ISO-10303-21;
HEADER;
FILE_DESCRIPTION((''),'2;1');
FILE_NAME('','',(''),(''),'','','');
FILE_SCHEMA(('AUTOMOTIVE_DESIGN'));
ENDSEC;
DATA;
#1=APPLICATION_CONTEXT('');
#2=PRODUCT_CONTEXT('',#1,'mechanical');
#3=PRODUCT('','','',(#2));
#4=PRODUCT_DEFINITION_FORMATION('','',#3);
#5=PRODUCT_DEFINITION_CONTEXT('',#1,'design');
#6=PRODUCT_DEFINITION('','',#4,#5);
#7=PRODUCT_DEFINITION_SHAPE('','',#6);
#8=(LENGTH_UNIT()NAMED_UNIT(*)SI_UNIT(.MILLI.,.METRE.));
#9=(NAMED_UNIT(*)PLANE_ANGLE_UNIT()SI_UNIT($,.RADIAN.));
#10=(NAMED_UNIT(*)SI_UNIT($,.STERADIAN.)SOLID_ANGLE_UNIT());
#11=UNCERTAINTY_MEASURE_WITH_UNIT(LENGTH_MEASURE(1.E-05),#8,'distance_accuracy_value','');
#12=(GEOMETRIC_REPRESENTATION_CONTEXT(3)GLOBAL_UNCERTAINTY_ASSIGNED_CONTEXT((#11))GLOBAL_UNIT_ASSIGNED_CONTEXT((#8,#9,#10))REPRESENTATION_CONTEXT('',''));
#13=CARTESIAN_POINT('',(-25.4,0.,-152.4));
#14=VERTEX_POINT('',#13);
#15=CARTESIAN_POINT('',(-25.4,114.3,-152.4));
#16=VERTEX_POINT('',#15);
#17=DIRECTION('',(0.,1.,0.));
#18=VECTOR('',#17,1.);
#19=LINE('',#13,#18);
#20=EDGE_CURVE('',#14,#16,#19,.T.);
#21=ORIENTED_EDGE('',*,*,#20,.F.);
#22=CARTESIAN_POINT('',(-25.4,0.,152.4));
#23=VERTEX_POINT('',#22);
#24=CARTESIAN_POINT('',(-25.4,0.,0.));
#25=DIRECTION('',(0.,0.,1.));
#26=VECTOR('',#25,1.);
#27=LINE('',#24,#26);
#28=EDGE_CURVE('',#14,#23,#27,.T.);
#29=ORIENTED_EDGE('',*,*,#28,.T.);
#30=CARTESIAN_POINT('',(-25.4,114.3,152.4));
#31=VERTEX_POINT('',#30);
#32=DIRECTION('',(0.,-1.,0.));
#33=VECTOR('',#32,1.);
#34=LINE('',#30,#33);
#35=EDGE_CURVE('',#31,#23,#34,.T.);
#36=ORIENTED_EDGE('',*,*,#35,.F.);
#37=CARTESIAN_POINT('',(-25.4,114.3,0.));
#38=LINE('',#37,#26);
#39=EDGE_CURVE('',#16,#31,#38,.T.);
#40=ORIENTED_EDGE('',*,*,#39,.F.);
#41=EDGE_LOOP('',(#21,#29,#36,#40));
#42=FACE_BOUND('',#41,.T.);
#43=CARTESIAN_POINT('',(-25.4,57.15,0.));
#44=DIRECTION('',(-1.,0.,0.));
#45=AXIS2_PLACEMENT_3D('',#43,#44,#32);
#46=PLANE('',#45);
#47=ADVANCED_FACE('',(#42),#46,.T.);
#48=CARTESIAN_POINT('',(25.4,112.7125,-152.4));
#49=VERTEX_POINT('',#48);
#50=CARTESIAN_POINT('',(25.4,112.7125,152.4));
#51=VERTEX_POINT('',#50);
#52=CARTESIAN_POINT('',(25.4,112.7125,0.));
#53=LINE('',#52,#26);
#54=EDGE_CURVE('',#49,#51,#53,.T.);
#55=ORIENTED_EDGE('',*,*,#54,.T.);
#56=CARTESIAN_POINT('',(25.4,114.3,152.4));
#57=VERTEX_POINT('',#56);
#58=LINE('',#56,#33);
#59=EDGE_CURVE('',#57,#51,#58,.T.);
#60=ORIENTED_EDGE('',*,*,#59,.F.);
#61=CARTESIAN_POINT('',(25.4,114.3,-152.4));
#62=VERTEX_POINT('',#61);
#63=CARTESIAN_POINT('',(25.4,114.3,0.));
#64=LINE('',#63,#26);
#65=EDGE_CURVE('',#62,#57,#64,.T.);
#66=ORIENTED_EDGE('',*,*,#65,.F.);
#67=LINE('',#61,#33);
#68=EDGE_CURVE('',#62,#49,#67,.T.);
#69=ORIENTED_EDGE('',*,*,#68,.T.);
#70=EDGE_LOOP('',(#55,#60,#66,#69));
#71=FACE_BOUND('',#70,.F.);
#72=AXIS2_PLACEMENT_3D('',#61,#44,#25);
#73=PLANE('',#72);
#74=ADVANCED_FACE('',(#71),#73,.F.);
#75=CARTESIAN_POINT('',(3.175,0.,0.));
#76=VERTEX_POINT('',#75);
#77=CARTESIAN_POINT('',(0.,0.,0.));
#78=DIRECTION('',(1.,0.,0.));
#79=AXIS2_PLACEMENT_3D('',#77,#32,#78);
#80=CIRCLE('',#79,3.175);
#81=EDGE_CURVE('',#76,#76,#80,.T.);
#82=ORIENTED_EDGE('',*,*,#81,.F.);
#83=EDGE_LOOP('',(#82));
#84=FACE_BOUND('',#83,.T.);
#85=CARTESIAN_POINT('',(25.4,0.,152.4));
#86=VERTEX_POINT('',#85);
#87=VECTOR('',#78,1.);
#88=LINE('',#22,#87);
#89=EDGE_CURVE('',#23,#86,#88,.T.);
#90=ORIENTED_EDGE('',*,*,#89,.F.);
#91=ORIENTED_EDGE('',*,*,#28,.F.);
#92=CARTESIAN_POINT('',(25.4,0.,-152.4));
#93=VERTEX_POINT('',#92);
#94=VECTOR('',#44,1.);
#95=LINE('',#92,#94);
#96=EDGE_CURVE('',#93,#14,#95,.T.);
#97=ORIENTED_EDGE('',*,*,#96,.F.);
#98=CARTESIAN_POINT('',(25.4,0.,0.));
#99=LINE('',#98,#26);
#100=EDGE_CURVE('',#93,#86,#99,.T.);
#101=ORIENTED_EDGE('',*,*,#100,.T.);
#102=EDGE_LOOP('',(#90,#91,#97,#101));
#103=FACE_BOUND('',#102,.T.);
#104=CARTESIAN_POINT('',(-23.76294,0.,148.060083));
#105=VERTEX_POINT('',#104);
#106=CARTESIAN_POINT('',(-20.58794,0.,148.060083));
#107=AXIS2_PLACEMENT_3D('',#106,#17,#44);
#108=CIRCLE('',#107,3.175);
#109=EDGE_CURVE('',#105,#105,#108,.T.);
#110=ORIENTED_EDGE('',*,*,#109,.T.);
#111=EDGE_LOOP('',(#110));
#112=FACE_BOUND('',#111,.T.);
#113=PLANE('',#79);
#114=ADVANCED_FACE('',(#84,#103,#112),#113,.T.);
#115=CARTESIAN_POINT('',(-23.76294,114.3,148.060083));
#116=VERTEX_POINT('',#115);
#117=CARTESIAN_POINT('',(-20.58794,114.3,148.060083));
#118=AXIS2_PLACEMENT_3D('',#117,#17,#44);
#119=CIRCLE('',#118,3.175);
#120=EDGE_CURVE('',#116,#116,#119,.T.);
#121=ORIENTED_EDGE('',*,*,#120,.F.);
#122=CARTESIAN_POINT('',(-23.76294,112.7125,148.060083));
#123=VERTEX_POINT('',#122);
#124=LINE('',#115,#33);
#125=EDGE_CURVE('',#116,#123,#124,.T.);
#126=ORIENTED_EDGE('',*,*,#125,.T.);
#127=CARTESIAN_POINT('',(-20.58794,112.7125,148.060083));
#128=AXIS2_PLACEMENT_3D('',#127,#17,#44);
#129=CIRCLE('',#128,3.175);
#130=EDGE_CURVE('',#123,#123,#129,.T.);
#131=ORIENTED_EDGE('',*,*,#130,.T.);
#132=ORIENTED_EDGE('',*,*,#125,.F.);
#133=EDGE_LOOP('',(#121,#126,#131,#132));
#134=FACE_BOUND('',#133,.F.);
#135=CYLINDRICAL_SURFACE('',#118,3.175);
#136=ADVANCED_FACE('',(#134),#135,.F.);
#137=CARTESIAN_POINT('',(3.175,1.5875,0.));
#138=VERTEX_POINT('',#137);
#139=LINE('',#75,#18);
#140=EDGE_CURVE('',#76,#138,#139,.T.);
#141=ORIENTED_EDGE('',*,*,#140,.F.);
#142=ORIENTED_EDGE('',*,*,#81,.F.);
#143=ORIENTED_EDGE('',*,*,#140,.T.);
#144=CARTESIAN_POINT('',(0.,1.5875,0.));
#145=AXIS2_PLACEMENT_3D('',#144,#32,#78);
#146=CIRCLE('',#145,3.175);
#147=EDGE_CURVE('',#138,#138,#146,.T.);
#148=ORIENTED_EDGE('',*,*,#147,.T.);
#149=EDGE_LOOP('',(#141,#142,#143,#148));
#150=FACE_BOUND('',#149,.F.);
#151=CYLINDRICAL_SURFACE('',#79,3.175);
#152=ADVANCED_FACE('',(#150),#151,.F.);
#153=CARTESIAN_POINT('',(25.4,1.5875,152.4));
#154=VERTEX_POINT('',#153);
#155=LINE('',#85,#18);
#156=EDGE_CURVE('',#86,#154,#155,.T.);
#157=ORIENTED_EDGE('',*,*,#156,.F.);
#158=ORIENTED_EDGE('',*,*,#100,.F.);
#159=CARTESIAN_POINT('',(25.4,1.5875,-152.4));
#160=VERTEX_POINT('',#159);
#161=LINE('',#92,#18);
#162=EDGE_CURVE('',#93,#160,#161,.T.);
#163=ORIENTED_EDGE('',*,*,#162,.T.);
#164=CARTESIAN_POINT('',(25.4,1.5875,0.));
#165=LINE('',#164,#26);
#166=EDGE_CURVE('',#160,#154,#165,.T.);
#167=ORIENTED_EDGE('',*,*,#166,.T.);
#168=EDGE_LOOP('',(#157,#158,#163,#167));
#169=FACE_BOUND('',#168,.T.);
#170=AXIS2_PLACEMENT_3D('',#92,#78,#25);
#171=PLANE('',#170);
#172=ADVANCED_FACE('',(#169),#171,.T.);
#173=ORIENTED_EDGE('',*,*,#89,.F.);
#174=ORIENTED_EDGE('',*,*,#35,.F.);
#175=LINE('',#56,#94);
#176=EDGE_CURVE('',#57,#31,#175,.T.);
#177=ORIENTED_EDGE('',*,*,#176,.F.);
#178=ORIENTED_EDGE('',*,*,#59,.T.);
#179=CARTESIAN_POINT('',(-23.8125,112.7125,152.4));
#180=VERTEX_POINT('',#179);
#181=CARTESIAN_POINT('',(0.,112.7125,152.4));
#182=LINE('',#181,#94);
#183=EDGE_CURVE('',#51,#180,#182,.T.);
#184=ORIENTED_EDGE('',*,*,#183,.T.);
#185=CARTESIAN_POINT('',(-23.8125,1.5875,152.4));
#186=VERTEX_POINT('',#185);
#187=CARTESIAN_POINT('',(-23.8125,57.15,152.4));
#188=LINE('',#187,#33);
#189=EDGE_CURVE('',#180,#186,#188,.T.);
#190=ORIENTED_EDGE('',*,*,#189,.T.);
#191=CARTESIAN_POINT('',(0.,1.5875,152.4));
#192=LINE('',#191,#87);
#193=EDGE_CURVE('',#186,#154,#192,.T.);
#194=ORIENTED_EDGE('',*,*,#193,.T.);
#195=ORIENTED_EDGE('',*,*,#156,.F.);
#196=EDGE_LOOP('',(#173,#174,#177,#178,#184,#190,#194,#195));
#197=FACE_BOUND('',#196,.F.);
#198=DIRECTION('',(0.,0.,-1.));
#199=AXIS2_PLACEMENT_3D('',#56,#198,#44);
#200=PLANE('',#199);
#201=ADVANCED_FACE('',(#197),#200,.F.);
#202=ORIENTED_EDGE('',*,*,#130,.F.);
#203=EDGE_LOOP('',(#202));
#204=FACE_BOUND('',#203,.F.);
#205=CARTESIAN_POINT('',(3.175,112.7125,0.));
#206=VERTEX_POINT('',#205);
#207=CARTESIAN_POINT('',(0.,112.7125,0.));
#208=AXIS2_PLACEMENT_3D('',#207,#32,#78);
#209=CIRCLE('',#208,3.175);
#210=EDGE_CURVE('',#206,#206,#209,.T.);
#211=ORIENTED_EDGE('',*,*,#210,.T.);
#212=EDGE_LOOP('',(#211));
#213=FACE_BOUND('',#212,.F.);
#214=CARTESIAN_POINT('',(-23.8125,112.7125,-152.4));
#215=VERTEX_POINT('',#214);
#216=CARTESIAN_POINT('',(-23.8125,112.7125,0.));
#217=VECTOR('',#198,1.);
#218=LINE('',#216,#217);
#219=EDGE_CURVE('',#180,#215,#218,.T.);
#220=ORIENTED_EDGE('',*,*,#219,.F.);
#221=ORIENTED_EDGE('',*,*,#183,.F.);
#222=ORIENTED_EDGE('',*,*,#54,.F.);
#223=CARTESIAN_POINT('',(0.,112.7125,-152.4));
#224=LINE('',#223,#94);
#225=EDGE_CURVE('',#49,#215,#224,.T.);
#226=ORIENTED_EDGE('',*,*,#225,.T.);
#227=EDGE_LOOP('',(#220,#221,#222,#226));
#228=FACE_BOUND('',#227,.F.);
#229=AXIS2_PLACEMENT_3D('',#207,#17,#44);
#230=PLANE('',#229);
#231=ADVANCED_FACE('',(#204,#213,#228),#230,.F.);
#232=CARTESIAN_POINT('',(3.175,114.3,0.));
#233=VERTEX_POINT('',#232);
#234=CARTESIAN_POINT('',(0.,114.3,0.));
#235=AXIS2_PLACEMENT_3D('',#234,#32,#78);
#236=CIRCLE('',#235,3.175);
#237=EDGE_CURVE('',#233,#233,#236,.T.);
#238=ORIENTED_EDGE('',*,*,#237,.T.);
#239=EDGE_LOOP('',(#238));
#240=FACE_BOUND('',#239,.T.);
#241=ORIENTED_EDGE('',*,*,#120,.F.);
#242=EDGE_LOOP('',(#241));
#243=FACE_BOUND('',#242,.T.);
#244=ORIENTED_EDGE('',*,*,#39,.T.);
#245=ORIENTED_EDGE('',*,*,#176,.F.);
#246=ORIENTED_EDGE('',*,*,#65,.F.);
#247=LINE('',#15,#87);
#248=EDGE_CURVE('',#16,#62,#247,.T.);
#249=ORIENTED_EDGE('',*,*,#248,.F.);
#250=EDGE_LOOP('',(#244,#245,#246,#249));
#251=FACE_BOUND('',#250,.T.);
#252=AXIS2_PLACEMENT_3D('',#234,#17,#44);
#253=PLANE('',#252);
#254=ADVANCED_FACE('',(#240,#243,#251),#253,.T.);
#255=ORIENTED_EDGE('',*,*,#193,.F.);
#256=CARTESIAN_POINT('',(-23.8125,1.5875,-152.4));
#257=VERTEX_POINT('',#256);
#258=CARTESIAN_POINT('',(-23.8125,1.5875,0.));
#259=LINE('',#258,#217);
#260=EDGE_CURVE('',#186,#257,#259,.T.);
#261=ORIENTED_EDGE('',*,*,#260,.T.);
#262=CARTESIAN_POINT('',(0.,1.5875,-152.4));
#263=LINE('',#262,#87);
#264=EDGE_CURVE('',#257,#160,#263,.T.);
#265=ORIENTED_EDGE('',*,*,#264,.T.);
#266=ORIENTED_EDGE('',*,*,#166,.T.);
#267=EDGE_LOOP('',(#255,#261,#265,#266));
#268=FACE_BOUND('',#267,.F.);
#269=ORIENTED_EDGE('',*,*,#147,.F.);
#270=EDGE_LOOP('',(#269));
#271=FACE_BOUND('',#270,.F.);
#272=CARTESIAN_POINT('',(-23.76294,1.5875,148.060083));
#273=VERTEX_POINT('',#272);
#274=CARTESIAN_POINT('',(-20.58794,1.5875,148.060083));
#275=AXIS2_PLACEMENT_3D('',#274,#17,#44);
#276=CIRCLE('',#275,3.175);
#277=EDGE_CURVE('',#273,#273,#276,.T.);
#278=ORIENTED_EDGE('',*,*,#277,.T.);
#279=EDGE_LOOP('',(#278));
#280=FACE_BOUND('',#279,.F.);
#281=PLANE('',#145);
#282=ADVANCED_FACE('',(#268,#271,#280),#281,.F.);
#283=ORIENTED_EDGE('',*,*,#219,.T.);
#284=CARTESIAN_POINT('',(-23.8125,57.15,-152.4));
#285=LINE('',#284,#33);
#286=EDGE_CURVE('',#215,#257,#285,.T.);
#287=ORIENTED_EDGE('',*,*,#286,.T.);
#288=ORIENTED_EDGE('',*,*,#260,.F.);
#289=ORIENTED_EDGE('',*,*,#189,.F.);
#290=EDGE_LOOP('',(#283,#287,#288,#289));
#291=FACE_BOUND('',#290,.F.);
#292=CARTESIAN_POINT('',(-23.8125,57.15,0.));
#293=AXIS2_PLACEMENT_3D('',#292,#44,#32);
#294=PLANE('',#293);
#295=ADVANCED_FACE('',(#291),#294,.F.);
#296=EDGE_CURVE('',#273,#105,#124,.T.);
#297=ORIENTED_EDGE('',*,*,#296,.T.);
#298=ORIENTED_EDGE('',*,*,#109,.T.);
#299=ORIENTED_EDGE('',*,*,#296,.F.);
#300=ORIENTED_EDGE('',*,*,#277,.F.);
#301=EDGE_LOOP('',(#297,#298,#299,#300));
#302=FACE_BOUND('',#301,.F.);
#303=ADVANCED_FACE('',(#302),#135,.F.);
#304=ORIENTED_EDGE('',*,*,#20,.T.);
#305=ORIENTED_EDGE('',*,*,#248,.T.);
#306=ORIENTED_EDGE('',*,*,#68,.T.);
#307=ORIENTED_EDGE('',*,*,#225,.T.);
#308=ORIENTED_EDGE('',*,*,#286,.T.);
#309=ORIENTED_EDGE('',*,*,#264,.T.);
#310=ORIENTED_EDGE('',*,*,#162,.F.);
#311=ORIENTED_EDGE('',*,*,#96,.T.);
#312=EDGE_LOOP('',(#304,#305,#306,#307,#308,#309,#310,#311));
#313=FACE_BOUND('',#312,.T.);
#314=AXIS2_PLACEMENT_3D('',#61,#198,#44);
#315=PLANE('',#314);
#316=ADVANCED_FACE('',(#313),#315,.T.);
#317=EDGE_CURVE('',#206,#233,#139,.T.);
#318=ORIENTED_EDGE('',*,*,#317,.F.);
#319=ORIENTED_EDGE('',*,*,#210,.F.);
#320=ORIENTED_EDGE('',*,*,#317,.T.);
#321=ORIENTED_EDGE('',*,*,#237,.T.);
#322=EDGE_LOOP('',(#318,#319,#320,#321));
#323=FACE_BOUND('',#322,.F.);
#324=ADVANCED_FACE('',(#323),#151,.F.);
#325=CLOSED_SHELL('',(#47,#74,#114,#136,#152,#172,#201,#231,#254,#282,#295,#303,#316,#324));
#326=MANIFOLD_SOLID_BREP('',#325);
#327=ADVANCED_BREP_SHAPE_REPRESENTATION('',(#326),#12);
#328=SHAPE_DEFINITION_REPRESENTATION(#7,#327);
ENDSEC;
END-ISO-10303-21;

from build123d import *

# Parameters (mm, degrees)
F0_W     = 50.8
F0_H     = 304.8
F1_DEPTH = 1.5875
F2_W     = 114.3
F2_H     = 304.8
F3_DEPTH = 1.5875
F4_W     = 50.8
F4_H     = 304.8
F5_DEPTH = 1.5875
F6_R     = 3.175
F7_DEPTH = 136.906
F8_R     = 3.175
F9_DEPTH = 146.304


with BuildPart() as f1:
    # F0 (on Front) → F1 (new body)
    with BuildSketch(Plane.XZ):
        Rectangle(F0_W, F0_H)
    extrude(amount=-F1_DEPTH)

    # F2 (on face) → F3 (join)
    with BuildSketch(Plane(origin=(-25.4, 0, 0), x_dir=(0, -1, 0), z_dir=(-1, 0, 0))):
        with Locations((-57.15, 0)):
            Rectangle(F2_W, F2_H)
    extrude(amount=-F3_DEPTH)

    # F4 (on face) → F5 (join)
    with BuildSketch(Plane(origin=(0, 114.3, 0), x_dir=(-1, 0, 0), z_dir=(0, 1, 0))):
        Rectangle(F4_W, F4_H)
    extrude(amount=-F5_DEPTH)

    # F6 (on face) → F7 (cut)
    with BuildSketch(Plane(origin=(0, 114.3, 0), x_dir=(-1, 0, 0), z_dir=(0, 1, 0))):
        with Locations((20.58794, 148.060083)):
            Circle(F6_R)
    extrude(amount=-F7_DEPTH, mode=Mode.SUBTRACT)

    # F8 (on face) → F9 (cut)
    with BuildSketch(Plane.XZ):
        Circle(F8_R)
    extrude(amount=-F9_DEPTH, mode=Mode.SUBTRACT)


solid = f1.part
